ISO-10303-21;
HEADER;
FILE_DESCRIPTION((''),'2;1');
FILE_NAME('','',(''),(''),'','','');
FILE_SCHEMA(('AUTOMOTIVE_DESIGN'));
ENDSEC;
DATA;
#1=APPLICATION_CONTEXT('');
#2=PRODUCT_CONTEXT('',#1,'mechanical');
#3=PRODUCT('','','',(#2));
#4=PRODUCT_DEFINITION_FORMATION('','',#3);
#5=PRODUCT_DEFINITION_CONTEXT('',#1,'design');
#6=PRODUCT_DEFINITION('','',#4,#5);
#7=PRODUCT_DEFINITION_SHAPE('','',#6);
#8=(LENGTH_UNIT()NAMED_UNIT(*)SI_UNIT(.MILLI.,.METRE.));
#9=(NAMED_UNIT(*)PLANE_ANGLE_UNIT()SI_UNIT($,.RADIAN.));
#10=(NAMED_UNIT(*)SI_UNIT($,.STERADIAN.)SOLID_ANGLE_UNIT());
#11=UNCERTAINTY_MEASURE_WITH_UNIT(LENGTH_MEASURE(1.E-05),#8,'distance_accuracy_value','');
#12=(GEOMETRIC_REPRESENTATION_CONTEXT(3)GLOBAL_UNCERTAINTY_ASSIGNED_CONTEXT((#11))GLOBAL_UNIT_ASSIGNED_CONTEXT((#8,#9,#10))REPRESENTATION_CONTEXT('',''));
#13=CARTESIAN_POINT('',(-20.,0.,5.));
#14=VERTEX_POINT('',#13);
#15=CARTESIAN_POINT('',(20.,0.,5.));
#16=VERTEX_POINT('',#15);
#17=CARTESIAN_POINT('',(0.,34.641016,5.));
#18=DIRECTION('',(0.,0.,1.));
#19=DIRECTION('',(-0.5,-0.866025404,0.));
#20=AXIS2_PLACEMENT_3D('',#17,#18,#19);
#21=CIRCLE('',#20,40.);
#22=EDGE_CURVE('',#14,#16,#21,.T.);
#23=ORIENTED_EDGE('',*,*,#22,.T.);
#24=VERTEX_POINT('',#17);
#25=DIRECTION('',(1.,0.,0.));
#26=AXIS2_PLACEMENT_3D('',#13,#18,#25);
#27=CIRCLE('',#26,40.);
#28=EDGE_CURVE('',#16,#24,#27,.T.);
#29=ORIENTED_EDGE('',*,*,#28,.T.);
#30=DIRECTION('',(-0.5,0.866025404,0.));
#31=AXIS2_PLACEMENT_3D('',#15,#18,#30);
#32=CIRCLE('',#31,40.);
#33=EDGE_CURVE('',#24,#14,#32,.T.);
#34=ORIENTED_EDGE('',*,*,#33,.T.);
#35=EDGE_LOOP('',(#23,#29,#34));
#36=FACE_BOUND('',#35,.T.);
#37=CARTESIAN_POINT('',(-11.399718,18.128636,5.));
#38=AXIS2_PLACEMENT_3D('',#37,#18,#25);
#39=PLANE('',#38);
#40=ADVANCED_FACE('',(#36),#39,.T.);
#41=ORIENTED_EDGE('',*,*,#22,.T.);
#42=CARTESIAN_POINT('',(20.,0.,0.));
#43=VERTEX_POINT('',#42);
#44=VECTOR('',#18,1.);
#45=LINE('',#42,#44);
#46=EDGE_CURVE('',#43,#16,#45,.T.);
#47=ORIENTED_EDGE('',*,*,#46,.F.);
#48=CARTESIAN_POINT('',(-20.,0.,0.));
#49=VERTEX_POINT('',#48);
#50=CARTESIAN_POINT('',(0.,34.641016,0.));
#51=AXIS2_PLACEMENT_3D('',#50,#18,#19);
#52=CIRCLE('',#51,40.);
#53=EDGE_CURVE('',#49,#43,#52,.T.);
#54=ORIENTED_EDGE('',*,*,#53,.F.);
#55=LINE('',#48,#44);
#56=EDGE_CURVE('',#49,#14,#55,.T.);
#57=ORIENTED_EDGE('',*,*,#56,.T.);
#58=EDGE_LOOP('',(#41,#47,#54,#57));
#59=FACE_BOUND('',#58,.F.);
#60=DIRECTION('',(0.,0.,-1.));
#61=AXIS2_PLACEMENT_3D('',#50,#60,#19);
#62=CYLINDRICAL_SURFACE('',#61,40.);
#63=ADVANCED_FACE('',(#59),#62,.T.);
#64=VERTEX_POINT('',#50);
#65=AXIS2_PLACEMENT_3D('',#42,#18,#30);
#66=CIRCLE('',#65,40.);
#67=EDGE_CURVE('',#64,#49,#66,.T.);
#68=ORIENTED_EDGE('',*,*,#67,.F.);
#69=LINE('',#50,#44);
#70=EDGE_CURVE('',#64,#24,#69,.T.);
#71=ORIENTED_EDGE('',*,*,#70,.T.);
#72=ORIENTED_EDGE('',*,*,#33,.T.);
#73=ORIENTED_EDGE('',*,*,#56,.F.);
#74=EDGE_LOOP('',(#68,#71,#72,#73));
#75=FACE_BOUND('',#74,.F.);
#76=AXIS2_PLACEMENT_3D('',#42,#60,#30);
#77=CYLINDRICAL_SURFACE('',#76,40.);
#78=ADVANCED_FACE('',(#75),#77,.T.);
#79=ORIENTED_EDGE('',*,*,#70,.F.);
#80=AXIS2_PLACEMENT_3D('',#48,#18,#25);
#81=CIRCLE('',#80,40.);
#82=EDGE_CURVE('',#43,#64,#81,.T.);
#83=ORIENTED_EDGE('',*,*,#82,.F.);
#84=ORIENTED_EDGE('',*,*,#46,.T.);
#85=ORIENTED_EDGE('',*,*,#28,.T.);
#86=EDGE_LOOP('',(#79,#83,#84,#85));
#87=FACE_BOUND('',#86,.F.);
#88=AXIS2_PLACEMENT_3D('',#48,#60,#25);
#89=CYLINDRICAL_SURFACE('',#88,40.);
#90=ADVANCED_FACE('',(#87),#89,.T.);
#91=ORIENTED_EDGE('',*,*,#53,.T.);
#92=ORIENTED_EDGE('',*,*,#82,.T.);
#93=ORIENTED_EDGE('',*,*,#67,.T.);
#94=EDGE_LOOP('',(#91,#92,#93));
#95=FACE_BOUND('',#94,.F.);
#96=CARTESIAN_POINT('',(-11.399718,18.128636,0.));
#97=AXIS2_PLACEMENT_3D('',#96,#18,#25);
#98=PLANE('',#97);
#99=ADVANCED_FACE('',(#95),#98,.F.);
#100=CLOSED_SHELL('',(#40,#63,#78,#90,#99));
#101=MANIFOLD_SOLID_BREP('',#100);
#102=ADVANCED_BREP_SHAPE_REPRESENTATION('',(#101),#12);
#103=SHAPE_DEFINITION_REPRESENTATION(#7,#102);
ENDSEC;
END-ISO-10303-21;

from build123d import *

# Parameters (mm, degrees)
F1_DEPTH = 5


with BuildPart() as f1:
    # F0 (on Top) → F1 (new body)
    with BuildSketch(Plane.XY):
        with BuildLine():
            ThreePointArc((0, 34.6410161514), (-14.6410161514, 20), (-20, 0))
            Line((-20, 0), (0, 34.6410161514))
        make_face()
        Polygon((0, 34.6410161514), (-20, 0), (20, 0), align=None)
        with BuildLine():
            Line((20, 0), (-20, 0))
            ThreePointArc((-20, 0), (0, -5.3589838486), (20, 0))
        make_face()
        with BuildLine():
            ThreePointArc((20, 0), (14.6410161514, 20), (0, 34.6410161514))
            Line((0, 34.6410161514), (20, 0))
        make_face()
    extrude(amount=F1_DEPTH)


solid = f1.part
